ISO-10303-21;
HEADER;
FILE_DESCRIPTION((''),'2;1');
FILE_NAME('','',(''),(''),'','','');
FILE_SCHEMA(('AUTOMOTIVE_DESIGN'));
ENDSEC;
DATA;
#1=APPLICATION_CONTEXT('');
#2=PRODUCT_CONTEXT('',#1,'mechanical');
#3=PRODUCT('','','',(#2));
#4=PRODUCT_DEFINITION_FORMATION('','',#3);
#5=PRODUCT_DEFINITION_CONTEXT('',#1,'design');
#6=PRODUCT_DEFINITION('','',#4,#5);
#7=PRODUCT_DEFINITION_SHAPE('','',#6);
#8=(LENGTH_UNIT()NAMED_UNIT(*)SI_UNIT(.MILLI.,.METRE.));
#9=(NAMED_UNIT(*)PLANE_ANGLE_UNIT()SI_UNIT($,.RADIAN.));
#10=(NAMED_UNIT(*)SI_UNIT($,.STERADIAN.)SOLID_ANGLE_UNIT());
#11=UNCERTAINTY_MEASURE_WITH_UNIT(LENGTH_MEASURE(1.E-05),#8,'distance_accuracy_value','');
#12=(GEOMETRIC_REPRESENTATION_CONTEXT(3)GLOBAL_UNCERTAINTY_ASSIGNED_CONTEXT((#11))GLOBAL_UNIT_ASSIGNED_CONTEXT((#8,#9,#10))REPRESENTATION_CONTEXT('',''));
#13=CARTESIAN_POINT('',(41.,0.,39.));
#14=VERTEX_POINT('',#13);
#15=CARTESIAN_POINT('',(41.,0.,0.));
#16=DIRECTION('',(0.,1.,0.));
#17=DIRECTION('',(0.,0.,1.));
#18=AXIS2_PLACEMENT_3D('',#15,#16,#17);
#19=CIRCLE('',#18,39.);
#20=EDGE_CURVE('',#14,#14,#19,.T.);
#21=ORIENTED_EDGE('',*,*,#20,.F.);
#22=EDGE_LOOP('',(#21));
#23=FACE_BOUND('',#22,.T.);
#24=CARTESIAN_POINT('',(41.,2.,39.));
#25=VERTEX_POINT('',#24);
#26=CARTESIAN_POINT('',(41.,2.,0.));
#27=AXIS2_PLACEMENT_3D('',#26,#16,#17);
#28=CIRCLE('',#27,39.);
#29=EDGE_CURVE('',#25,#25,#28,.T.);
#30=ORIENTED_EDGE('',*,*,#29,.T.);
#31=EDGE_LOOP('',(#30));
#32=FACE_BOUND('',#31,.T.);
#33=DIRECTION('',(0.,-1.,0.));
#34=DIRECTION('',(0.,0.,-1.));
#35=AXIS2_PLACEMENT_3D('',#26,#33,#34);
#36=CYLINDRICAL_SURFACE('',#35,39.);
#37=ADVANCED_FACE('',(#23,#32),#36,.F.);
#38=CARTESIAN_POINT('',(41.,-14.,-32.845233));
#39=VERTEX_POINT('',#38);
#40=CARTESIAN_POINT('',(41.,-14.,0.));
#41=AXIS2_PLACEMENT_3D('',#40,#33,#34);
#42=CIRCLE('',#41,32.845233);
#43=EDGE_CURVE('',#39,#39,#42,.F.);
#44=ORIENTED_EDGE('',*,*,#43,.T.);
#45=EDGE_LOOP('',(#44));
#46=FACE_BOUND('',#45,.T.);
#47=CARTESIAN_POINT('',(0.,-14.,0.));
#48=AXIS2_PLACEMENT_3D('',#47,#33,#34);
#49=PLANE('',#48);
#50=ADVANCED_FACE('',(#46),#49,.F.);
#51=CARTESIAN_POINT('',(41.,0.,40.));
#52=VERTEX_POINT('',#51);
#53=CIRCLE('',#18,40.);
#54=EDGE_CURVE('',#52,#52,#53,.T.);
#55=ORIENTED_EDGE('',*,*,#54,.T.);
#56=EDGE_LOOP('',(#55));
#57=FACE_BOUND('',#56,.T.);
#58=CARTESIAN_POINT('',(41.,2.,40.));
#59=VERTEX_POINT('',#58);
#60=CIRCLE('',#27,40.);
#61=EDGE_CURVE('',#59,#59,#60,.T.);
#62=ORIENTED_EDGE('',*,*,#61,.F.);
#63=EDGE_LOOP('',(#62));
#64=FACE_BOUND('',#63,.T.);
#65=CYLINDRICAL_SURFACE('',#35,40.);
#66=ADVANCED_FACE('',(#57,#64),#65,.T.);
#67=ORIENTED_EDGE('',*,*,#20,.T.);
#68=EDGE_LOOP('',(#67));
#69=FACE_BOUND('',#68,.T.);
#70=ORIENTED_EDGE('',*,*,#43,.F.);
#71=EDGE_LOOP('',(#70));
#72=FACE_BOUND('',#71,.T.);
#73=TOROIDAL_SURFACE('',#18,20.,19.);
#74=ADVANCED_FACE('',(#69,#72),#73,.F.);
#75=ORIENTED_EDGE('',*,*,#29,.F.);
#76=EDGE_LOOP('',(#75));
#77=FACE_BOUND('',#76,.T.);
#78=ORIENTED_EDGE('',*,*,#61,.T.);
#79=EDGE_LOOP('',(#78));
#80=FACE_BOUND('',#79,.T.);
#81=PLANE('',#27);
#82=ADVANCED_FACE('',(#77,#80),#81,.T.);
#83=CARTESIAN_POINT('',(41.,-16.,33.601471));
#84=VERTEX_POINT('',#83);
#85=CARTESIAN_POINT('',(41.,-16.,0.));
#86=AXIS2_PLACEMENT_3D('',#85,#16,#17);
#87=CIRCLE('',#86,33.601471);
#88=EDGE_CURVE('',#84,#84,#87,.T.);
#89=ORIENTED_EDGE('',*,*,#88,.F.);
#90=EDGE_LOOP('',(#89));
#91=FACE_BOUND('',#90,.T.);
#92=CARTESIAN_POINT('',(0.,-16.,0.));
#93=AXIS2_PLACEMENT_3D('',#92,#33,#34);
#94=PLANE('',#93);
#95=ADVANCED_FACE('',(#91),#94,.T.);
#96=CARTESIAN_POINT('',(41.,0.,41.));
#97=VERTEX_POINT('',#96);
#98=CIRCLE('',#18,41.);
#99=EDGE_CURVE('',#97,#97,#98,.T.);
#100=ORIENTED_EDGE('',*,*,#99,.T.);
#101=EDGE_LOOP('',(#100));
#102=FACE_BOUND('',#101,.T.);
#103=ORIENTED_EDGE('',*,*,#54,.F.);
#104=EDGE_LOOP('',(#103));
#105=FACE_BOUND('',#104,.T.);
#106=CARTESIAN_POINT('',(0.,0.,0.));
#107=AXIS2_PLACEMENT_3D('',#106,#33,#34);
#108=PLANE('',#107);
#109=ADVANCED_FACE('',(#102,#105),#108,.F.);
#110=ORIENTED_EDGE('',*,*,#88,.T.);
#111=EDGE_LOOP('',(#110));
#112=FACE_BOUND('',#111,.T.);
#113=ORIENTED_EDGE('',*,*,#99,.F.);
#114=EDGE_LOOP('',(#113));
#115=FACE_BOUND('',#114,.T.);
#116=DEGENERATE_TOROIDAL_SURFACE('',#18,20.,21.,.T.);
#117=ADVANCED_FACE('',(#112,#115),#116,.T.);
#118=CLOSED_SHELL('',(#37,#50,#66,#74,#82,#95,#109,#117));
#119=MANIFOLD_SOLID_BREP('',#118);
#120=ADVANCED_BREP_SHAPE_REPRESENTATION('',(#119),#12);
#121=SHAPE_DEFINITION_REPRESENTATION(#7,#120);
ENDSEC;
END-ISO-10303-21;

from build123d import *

# Parameters (mm, degrees)
SHELL2_T            = -2
SKETCH6_R           = 40
SKETCH6_R_2         = 39
BOSS_EXTRUDE1_DEPTH = 2


with BuildPart() as part:
    # Sketch1 (on Front Plane) → Revolve2 (revolve)
    with BuildSketch(Plane.XY):
        with BuildLine():
            Line((0, 0), (41, 0))
            Line((41, 0), (41, -16))
            Line((41, -16), (7.398529491, -16))
            ThreePointArc((7.398529491, -16), (1.939164752, -8.813884482), (0, 0))
        make_face()
    revolve(axis=Axis((41, 0, 0), (0, -1, 0)))

    # Shell2
    shell2_openings = [part.faces().sort_by_distance(p)[0] for p in [
        (41, 0, 0),
    ]]
    offset(amount=SHELL2_T, openings=shell2_openings, kind=Kind.INTERSECTION)

    # Sketch6 → Boss-Extrude1 (add)
    with BuildSketch(Plane(origin=(0, 0, 0), x_dir=(1, 0, 0), z_dir=(0, 1, 0))):
        with Locations((41, 0)):
            Circle(SKETCH6_R)
        with Locations((41, 0)):
            Circle(SKETCH6_R_2, mode=Mode.SUBTRACT)
    extrude(amount=BOSS_EXTRUDE1_DEPTH)


solid = part.part
